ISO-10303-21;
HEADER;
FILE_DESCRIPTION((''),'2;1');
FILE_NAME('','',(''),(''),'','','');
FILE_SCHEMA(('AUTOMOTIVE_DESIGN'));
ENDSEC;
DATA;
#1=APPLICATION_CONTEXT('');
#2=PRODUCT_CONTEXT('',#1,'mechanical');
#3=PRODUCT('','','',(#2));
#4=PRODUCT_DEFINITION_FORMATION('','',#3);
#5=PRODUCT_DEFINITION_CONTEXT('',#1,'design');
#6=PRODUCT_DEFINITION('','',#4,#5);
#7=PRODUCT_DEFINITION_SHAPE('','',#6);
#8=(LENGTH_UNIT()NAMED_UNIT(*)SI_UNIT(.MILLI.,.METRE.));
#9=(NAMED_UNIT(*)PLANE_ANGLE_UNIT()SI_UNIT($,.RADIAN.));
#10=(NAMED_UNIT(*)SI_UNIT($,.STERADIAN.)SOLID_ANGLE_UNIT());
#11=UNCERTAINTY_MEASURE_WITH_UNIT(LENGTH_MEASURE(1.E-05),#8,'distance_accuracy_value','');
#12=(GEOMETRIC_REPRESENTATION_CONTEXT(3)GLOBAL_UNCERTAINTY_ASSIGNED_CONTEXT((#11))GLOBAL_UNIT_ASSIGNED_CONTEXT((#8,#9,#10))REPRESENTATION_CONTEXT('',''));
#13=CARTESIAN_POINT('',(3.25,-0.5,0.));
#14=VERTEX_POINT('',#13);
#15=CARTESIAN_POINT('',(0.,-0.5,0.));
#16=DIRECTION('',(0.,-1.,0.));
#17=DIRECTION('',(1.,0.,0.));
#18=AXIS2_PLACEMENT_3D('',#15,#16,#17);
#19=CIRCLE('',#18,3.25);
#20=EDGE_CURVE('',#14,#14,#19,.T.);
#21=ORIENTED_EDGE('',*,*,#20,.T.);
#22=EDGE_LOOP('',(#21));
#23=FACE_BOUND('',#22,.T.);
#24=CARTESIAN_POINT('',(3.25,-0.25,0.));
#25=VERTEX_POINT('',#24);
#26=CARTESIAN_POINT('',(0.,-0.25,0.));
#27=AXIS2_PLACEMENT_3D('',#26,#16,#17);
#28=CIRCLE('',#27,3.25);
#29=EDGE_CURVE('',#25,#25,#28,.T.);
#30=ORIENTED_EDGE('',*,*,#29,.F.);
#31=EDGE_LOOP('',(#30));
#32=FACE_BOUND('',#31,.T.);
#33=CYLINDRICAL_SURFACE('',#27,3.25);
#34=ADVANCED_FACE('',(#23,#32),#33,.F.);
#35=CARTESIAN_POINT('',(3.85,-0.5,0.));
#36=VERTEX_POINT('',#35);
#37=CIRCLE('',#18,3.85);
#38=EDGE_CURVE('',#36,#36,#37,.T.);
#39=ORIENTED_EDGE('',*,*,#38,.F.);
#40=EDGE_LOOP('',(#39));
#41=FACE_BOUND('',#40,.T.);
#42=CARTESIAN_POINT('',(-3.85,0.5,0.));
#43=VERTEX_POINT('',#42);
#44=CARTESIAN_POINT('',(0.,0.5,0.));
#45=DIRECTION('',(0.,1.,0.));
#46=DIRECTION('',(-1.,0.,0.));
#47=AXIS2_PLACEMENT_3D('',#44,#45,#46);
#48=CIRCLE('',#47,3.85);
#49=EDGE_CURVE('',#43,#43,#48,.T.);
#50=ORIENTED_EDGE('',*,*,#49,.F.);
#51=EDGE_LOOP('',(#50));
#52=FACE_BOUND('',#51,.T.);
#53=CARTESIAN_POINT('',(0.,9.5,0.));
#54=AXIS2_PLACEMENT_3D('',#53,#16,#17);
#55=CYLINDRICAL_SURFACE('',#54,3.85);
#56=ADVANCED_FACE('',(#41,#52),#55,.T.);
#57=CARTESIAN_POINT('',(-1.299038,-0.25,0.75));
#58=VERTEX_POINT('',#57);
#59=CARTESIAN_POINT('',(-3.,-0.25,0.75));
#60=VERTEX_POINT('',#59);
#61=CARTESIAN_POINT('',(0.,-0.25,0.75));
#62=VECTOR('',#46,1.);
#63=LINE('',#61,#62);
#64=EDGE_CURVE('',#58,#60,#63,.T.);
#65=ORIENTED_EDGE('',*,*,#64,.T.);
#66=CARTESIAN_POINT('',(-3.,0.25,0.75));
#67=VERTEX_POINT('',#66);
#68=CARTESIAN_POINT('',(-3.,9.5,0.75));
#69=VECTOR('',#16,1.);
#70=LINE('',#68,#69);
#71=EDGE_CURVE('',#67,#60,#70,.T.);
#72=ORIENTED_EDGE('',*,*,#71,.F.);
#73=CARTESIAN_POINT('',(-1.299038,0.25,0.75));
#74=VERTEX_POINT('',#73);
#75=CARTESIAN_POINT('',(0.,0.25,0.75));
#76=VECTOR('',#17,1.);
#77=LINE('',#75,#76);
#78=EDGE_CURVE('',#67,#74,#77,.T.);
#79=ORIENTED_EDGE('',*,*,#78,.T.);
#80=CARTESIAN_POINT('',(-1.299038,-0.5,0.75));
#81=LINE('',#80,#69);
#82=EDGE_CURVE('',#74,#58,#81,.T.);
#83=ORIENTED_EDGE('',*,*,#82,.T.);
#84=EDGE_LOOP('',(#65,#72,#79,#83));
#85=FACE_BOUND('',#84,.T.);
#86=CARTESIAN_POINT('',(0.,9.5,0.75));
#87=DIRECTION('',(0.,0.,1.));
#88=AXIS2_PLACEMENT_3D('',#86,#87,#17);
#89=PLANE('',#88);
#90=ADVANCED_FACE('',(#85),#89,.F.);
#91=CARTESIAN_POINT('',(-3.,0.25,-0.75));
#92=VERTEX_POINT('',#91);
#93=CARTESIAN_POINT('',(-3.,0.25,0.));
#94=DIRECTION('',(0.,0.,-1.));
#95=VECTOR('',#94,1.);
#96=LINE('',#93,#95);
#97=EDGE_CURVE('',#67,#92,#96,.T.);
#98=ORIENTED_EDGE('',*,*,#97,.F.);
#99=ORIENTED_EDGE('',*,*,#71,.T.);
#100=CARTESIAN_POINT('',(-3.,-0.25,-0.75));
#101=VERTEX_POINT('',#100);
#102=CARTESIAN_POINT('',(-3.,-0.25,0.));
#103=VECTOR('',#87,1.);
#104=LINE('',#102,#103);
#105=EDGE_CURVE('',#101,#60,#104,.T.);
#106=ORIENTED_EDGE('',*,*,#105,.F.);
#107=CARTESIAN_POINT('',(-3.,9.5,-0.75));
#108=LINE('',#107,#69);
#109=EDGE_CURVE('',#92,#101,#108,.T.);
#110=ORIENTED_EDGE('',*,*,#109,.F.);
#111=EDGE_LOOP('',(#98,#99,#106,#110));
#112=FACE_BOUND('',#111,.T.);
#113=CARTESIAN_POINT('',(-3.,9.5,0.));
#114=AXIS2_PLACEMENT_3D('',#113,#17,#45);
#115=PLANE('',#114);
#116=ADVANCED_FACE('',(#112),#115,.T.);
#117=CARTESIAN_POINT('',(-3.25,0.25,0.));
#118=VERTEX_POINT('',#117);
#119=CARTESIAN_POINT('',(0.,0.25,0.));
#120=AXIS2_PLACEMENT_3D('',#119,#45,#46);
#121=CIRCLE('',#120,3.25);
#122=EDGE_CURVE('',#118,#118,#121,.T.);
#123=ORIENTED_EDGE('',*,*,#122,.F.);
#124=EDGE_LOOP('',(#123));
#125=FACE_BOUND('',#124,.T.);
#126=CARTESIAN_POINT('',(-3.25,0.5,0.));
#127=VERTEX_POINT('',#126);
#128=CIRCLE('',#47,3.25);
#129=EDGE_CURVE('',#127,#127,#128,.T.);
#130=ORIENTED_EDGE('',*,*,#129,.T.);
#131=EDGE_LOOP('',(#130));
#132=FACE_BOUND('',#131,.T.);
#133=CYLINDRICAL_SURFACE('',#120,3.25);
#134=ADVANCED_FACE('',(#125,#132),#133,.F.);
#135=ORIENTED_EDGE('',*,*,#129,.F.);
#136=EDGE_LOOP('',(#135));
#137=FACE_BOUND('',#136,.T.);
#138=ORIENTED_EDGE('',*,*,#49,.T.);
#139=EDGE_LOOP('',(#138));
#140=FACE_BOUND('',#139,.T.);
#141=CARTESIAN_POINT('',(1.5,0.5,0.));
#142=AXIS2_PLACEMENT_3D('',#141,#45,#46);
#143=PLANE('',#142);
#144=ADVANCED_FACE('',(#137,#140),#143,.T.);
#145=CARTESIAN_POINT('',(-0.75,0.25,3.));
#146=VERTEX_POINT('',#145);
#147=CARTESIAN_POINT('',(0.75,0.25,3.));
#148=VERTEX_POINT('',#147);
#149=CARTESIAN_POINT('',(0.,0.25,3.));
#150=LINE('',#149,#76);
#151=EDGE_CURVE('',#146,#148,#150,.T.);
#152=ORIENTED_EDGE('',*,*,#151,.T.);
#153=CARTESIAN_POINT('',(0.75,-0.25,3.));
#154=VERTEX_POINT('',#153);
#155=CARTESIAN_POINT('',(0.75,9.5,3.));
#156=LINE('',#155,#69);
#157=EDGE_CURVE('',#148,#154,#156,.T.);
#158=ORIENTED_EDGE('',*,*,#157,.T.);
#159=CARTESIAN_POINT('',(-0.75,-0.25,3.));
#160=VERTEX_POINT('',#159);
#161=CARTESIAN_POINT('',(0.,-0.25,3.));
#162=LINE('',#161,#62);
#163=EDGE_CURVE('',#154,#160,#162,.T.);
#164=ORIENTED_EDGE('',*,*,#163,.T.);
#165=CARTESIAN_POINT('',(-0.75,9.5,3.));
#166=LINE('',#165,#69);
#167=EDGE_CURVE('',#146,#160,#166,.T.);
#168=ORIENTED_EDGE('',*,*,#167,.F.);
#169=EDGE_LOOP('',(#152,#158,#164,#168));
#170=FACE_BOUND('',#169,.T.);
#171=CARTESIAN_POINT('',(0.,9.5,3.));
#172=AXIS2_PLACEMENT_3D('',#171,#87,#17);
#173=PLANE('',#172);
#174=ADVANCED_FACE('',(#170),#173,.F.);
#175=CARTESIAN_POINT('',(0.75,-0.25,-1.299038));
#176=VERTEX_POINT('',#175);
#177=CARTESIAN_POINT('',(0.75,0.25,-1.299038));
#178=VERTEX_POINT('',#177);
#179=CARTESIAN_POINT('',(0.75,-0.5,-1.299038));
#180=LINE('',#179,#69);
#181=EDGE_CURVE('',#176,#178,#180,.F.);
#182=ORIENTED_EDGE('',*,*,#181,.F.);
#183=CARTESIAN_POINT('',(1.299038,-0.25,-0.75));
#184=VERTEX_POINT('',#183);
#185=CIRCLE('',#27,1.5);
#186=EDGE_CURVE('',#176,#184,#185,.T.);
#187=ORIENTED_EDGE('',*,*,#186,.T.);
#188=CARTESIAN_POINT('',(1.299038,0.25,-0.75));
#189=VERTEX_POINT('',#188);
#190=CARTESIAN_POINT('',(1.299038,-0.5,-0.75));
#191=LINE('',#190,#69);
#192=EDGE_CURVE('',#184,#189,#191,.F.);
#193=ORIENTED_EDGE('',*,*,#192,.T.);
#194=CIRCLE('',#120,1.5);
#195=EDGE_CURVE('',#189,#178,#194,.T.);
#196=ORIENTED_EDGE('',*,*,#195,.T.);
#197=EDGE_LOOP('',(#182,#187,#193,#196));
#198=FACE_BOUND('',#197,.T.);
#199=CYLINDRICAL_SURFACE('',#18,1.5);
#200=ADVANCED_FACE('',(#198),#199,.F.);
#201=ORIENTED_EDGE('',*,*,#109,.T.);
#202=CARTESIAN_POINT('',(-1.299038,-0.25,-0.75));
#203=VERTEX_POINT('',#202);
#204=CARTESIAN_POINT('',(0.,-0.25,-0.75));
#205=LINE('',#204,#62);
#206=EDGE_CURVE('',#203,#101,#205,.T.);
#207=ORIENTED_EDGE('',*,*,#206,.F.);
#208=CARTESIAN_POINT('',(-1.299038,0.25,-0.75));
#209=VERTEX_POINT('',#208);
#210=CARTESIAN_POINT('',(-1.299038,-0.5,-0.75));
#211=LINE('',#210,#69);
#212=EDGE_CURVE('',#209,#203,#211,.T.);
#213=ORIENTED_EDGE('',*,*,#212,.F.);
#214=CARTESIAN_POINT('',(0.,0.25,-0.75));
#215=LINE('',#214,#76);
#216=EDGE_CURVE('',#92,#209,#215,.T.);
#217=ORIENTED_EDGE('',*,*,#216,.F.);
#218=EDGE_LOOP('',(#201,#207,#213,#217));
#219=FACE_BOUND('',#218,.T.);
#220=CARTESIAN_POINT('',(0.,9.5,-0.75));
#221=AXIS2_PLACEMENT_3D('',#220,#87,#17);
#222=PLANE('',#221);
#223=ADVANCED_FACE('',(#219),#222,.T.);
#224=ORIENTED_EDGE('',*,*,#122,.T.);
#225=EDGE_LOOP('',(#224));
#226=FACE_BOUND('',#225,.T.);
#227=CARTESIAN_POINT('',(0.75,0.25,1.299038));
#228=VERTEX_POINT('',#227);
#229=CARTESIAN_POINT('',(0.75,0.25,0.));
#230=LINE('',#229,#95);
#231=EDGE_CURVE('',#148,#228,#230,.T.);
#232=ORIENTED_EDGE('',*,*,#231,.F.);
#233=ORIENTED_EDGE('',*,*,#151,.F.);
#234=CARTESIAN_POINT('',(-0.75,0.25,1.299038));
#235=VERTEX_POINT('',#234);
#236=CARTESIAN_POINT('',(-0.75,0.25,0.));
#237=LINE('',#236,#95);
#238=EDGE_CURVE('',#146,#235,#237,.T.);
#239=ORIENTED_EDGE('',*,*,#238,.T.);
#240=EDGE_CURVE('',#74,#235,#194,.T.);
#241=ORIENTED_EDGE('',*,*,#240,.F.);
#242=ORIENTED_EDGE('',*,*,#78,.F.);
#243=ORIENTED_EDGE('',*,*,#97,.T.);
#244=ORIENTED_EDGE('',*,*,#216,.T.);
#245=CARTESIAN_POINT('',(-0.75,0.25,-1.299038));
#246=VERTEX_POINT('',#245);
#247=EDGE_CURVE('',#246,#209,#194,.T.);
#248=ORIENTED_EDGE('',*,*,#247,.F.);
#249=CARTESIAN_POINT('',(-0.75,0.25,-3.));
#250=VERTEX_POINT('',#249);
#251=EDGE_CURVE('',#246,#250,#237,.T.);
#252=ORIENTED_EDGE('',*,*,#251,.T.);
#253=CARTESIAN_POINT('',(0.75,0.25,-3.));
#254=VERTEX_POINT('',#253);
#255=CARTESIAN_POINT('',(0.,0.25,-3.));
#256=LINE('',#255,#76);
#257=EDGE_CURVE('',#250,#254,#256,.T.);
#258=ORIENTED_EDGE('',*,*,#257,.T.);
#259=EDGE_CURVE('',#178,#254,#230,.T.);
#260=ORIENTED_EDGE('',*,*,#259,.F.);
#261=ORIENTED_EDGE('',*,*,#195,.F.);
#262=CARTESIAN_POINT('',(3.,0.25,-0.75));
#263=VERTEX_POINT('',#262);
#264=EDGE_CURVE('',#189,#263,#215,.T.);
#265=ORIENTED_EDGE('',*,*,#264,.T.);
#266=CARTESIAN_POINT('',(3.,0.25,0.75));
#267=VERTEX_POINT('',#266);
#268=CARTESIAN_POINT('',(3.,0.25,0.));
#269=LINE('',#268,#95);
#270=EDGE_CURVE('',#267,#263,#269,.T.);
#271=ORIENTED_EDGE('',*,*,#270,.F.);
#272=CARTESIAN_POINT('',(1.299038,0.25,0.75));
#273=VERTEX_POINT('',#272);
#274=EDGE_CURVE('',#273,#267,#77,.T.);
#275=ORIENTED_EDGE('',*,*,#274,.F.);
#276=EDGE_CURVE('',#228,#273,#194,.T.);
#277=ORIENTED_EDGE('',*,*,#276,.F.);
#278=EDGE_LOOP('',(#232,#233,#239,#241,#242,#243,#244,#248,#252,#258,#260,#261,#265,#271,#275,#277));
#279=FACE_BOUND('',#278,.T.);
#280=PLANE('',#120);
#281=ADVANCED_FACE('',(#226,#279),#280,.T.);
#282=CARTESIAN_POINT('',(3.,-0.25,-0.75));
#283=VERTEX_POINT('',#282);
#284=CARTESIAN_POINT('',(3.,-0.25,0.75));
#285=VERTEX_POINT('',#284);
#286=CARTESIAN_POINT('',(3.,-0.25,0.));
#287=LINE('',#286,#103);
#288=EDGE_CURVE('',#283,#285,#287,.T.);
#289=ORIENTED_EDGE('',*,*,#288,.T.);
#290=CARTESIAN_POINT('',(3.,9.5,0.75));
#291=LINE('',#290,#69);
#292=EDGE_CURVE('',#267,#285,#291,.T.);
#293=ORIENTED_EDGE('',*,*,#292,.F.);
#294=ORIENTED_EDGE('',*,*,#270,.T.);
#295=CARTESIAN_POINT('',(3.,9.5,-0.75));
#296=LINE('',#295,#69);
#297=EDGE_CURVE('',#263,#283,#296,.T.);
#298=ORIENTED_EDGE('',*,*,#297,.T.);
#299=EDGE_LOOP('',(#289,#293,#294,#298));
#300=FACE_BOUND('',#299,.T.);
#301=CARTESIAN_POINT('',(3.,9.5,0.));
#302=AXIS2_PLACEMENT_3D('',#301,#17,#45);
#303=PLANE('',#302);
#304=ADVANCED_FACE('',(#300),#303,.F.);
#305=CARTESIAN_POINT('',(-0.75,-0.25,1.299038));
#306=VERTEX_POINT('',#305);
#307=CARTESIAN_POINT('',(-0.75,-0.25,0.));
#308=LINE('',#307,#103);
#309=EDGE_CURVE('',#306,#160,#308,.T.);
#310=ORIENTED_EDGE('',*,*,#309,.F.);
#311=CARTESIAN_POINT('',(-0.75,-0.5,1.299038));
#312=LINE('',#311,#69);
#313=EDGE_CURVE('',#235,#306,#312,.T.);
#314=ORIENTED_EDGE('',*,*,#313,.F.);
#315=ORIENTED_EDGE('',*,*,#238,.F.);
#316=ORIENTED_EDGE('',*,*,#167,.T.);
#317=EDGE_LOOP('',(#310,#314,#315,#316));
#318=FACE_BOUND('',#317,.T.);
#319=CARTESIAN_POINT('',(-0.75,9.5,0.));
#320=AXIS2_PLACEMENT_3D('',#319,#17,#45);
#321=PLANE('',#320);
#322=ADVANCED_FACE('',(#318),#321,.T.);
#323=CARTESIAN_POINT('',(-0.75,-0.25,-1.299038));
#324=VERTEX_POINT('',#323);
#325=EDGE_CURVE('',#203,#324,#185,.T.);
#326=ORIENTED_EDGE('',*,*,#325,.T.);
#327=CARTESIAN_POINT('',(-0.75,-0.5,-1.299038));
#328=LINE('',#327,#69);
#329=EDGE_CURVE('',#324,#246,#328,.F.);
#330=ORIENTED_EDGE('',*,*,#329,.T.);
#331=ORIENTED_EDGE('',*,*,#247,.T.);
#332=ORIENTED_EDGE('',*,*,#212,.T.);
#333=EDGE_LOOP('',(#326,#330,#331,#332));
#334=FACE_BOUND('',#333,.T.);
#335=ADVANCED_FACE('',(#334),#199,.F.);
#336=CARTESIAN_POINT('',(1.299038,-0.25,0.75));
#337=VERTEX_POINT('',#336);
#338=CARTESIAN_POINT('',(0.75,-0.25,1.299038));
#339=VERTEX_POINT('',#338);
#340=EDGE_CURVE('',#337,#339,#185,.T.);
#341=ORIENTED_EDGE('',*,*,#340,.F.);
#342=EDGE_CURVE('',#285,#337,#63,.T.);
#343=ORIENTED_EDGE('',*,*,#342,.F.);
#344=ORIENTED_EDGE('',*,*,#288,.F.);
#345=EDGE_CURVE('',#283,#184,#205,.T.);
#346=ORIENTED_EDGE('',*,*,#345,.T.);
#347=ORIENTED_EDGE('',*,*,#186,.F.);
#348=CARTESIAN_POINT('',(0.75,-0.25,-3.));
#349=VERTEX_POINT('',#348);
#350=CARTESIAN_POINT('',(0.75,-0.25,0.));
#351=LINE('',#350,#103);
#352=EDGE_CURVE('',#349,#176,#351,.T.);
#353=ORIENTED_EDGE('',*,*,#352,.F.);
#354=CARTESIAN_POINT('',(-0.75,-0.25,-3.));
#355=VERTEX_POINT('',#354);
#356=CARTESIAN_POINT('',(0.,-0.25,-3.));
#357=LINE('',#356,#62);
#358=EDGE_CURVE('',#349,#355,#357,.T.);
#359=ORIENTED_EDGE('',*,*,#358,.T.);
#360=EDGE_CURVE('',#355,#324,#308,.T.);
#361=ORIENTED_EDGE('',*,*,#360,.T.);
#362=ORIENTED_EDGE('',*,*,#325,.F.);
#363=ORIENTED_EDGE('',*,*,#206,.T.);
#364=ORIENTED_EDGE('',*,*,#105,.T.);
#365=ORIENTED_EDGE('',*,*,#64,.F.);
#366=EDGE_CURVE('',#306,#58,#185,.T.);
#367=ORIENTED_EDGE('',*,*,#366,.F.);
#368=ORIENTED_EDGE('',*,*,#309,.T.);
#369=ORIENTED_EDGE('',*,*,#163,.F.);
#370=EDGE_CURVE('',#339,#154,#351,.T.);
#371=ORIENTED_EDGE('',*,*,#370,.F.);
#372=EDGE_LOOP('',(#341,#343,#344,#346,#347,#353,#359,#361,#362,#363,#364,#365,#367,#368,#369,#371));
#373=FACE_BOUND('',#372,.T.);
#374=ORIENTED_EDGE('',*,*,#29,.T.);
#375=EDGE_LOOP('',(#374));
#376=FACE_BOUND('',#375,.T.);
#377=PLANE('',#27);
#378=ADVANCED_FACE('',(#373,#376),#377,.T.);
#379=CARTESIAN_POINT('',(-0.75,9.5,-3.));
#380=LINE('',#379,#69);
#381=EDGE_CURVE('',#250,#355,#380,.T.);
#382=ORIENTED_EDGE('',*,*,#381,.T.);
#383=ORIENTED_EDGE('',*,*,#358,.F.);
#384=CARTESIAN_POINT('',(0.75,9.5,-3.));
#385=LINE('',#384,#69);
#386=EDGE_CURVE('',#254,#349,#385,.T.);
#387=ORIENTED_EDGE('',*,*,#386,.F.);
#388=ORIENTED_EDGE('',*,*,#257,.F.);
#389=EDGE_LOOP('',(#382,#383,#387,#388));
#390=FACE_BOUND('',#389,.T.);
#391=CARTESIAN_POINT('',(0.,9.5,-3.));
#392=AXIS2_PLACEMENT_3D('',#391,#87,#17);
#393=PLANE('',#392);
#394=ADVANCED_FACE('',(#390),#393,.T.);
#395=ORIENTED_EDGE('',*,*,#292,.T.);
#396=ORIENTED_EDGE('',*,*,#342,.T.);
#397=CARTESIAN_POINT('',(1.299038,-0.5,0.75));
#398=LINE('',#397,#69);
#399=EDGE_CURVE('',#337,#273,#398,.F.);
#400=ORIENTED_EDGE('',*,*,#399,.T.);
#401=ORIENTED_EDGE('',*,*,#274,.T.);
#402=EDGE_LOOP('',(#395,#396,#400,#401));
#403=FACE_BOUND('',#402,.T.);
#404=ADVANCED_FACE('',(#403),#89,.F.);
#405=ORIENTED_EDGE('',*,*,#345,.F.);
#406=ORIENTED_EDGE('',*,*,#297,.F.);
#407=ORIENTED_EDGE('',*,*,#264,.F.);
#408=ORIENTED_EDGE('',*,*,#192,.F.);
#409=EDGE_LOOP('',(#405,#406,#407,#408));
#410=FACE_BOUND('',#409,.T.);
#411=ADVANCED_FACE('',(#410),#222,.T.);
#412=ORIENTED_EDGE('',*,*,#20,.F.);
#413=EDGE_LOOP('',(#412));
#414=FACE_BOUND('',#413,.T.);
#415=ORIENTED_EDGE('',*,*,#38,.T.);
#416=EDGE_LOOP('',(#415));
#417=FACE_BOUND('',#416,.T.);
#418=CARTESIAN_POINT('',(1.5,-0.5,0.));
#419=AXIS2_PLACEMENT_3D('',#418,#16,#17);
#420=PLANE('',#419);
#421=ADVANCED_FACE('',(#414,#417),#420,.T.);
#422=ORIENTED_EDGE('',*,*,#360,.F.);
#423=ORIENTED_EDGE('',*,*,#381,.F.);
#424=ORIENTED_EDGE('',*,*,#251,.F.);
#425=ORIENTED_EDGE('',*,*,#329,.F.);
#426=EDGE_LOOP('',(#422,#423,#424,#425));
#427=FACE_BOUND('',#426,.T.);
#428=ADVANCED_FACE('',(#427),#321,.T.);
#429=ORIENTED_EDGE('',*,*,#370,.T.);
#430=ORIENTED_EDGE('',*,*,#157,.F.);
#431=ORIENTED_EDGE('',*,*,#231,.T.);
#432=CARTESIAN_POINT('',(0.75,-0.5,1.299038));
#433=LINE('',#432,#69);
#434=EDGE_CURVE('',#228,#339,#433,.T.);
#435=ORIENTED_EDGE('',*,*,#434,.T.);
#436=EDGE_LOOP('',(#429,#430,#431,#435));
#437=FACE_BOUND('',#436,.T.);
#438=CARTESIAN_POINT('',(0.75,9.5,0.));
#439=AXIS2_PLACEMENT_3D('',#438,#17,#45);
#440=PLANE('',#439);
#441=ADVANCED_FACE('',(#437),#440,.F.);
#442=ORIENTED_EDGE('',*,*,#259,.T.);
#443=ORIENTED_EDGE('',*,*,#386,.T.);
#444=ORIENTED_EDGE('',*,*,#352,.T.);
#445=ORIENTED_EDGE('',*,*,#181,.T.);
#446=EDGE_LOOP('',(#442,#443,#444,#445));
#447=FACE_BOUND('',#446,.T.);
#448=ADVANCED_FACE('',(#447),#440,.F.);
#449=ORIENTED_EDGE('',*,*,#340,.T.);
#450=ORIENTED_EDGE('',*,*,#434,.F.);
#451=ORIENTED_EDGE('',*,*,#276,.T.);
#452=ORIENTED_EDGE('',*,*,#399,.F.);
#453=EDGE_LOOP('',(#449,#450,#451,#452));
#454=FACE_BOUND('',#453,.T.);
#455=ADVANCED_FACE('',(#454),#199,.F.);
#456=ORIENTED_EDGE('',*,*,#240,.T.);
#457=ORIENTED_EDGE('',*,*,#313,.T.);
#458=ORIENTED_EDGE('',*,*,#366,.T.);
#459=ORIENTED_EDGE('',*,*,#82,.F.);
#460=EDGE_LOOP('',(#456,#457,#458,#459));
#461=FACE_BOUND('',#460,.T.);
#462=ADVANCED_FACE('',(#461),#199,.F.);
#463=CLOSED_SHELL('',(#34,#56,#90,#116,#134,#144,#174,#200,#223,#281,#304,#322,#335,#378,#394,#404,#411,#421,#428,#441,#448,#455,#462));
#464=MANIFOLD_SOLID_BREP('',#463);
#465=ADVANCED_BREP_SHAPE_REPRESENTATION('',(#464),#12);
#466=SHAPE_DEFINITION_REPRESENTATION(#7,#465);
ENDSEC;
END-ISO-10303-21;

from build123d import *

# Parameters (mm, degrees)
BASE_W             = 2.5
BASE_H             = 1
SKETCH1_R          = 4
SKETCH1_R_2        = 3.85
CUT_EXTRUDE1_DEPTH = 10
SKETCH6_R          = 3.25
CUT_EXTRUDE5_DEPTH = 0.25
CUT_EXTRUDE6_START = -0.25
SKETCH7_R          = 3.25
CUT_EXTRUDE6_DEPTH = 0.25
SKETCH4_W          = 6
SKETCH4_H          = 1.5
SKETCH4_W_2        = 1.5
SKETCH4_H_2        = 6
CUT_EXTRUDE4_DEPTH = 10


with BuildPart() as part:
    # base → Revolution (revolve)
    with BuildSketch(Plane.XY):
        with Locations((2.75, 0)):
            Rectangle(BASE_W, BASE_H)
    revolve(axis=Axis((0, -0.5, 0), (0, 1, 0)))

    # Sketch1 → Cut-Extrude1 (cut)
    with BuildSketch(Plane(origin=(0, -0.5, 0), x_dir=(-1, 0, 0), z_dir=(0, -1, 0))):
        Circle(SKETCH1_R)
        with Locations(Location((0, 0, 0), (0, 0, 180))):
            Circle(SKETCH1_R_2, mode=Mode.SUBTRACT)
    extrude(amount=-CUT_EXTRUDE1_DEPTH, mode=Mode.SUBTRACT)

    # Sketch6 → Cut-Extrude5 (cut)
    with BuildSketch(Plane(origin=(0, -0.5, 0), x_dir=(-1, 0, 0), z_dir=(0, -1, 0))):
        with Locations(Location((0, 0, 0), (0, 0, 180))):
            Circle(SKETCH6_R)
    extrude(amount=-CUT_EXTRUDE5_DEPTH, mode=Mode.SUBTRACT)

    # Sketch7 → Cut-Extrude6 (cut)
    with BuildSketch(Plane(origin=(0, 0.5, 0), x_dir=(1, 0, 0), z_dir=(0, 1, 0)).offset(CUT_EXTRUDE6_START)):
        Circle(SKETCH7_R)
    extrude(amount=CUT_EXTRUDE6_DEPTH, mode=Mode.SUBTRACT)

    # Sketch4 → Cut-Extrude4 (cut)
    with BuildSketch(Plane(origin=(0, -0.5, 0), x_dir=(-1, 0, 0), z_dir=(0, -1, 0))):
        Rectangle(SKETCH4_W, SKETCH4_H)
        Rectangle(SKETCH4_W_2, SKETCH4_H_2)
    extrude(amount=-CUT_EXTRUDE4_DEPTH, mode=Mode.SUBTRACT)


solid = part.part
